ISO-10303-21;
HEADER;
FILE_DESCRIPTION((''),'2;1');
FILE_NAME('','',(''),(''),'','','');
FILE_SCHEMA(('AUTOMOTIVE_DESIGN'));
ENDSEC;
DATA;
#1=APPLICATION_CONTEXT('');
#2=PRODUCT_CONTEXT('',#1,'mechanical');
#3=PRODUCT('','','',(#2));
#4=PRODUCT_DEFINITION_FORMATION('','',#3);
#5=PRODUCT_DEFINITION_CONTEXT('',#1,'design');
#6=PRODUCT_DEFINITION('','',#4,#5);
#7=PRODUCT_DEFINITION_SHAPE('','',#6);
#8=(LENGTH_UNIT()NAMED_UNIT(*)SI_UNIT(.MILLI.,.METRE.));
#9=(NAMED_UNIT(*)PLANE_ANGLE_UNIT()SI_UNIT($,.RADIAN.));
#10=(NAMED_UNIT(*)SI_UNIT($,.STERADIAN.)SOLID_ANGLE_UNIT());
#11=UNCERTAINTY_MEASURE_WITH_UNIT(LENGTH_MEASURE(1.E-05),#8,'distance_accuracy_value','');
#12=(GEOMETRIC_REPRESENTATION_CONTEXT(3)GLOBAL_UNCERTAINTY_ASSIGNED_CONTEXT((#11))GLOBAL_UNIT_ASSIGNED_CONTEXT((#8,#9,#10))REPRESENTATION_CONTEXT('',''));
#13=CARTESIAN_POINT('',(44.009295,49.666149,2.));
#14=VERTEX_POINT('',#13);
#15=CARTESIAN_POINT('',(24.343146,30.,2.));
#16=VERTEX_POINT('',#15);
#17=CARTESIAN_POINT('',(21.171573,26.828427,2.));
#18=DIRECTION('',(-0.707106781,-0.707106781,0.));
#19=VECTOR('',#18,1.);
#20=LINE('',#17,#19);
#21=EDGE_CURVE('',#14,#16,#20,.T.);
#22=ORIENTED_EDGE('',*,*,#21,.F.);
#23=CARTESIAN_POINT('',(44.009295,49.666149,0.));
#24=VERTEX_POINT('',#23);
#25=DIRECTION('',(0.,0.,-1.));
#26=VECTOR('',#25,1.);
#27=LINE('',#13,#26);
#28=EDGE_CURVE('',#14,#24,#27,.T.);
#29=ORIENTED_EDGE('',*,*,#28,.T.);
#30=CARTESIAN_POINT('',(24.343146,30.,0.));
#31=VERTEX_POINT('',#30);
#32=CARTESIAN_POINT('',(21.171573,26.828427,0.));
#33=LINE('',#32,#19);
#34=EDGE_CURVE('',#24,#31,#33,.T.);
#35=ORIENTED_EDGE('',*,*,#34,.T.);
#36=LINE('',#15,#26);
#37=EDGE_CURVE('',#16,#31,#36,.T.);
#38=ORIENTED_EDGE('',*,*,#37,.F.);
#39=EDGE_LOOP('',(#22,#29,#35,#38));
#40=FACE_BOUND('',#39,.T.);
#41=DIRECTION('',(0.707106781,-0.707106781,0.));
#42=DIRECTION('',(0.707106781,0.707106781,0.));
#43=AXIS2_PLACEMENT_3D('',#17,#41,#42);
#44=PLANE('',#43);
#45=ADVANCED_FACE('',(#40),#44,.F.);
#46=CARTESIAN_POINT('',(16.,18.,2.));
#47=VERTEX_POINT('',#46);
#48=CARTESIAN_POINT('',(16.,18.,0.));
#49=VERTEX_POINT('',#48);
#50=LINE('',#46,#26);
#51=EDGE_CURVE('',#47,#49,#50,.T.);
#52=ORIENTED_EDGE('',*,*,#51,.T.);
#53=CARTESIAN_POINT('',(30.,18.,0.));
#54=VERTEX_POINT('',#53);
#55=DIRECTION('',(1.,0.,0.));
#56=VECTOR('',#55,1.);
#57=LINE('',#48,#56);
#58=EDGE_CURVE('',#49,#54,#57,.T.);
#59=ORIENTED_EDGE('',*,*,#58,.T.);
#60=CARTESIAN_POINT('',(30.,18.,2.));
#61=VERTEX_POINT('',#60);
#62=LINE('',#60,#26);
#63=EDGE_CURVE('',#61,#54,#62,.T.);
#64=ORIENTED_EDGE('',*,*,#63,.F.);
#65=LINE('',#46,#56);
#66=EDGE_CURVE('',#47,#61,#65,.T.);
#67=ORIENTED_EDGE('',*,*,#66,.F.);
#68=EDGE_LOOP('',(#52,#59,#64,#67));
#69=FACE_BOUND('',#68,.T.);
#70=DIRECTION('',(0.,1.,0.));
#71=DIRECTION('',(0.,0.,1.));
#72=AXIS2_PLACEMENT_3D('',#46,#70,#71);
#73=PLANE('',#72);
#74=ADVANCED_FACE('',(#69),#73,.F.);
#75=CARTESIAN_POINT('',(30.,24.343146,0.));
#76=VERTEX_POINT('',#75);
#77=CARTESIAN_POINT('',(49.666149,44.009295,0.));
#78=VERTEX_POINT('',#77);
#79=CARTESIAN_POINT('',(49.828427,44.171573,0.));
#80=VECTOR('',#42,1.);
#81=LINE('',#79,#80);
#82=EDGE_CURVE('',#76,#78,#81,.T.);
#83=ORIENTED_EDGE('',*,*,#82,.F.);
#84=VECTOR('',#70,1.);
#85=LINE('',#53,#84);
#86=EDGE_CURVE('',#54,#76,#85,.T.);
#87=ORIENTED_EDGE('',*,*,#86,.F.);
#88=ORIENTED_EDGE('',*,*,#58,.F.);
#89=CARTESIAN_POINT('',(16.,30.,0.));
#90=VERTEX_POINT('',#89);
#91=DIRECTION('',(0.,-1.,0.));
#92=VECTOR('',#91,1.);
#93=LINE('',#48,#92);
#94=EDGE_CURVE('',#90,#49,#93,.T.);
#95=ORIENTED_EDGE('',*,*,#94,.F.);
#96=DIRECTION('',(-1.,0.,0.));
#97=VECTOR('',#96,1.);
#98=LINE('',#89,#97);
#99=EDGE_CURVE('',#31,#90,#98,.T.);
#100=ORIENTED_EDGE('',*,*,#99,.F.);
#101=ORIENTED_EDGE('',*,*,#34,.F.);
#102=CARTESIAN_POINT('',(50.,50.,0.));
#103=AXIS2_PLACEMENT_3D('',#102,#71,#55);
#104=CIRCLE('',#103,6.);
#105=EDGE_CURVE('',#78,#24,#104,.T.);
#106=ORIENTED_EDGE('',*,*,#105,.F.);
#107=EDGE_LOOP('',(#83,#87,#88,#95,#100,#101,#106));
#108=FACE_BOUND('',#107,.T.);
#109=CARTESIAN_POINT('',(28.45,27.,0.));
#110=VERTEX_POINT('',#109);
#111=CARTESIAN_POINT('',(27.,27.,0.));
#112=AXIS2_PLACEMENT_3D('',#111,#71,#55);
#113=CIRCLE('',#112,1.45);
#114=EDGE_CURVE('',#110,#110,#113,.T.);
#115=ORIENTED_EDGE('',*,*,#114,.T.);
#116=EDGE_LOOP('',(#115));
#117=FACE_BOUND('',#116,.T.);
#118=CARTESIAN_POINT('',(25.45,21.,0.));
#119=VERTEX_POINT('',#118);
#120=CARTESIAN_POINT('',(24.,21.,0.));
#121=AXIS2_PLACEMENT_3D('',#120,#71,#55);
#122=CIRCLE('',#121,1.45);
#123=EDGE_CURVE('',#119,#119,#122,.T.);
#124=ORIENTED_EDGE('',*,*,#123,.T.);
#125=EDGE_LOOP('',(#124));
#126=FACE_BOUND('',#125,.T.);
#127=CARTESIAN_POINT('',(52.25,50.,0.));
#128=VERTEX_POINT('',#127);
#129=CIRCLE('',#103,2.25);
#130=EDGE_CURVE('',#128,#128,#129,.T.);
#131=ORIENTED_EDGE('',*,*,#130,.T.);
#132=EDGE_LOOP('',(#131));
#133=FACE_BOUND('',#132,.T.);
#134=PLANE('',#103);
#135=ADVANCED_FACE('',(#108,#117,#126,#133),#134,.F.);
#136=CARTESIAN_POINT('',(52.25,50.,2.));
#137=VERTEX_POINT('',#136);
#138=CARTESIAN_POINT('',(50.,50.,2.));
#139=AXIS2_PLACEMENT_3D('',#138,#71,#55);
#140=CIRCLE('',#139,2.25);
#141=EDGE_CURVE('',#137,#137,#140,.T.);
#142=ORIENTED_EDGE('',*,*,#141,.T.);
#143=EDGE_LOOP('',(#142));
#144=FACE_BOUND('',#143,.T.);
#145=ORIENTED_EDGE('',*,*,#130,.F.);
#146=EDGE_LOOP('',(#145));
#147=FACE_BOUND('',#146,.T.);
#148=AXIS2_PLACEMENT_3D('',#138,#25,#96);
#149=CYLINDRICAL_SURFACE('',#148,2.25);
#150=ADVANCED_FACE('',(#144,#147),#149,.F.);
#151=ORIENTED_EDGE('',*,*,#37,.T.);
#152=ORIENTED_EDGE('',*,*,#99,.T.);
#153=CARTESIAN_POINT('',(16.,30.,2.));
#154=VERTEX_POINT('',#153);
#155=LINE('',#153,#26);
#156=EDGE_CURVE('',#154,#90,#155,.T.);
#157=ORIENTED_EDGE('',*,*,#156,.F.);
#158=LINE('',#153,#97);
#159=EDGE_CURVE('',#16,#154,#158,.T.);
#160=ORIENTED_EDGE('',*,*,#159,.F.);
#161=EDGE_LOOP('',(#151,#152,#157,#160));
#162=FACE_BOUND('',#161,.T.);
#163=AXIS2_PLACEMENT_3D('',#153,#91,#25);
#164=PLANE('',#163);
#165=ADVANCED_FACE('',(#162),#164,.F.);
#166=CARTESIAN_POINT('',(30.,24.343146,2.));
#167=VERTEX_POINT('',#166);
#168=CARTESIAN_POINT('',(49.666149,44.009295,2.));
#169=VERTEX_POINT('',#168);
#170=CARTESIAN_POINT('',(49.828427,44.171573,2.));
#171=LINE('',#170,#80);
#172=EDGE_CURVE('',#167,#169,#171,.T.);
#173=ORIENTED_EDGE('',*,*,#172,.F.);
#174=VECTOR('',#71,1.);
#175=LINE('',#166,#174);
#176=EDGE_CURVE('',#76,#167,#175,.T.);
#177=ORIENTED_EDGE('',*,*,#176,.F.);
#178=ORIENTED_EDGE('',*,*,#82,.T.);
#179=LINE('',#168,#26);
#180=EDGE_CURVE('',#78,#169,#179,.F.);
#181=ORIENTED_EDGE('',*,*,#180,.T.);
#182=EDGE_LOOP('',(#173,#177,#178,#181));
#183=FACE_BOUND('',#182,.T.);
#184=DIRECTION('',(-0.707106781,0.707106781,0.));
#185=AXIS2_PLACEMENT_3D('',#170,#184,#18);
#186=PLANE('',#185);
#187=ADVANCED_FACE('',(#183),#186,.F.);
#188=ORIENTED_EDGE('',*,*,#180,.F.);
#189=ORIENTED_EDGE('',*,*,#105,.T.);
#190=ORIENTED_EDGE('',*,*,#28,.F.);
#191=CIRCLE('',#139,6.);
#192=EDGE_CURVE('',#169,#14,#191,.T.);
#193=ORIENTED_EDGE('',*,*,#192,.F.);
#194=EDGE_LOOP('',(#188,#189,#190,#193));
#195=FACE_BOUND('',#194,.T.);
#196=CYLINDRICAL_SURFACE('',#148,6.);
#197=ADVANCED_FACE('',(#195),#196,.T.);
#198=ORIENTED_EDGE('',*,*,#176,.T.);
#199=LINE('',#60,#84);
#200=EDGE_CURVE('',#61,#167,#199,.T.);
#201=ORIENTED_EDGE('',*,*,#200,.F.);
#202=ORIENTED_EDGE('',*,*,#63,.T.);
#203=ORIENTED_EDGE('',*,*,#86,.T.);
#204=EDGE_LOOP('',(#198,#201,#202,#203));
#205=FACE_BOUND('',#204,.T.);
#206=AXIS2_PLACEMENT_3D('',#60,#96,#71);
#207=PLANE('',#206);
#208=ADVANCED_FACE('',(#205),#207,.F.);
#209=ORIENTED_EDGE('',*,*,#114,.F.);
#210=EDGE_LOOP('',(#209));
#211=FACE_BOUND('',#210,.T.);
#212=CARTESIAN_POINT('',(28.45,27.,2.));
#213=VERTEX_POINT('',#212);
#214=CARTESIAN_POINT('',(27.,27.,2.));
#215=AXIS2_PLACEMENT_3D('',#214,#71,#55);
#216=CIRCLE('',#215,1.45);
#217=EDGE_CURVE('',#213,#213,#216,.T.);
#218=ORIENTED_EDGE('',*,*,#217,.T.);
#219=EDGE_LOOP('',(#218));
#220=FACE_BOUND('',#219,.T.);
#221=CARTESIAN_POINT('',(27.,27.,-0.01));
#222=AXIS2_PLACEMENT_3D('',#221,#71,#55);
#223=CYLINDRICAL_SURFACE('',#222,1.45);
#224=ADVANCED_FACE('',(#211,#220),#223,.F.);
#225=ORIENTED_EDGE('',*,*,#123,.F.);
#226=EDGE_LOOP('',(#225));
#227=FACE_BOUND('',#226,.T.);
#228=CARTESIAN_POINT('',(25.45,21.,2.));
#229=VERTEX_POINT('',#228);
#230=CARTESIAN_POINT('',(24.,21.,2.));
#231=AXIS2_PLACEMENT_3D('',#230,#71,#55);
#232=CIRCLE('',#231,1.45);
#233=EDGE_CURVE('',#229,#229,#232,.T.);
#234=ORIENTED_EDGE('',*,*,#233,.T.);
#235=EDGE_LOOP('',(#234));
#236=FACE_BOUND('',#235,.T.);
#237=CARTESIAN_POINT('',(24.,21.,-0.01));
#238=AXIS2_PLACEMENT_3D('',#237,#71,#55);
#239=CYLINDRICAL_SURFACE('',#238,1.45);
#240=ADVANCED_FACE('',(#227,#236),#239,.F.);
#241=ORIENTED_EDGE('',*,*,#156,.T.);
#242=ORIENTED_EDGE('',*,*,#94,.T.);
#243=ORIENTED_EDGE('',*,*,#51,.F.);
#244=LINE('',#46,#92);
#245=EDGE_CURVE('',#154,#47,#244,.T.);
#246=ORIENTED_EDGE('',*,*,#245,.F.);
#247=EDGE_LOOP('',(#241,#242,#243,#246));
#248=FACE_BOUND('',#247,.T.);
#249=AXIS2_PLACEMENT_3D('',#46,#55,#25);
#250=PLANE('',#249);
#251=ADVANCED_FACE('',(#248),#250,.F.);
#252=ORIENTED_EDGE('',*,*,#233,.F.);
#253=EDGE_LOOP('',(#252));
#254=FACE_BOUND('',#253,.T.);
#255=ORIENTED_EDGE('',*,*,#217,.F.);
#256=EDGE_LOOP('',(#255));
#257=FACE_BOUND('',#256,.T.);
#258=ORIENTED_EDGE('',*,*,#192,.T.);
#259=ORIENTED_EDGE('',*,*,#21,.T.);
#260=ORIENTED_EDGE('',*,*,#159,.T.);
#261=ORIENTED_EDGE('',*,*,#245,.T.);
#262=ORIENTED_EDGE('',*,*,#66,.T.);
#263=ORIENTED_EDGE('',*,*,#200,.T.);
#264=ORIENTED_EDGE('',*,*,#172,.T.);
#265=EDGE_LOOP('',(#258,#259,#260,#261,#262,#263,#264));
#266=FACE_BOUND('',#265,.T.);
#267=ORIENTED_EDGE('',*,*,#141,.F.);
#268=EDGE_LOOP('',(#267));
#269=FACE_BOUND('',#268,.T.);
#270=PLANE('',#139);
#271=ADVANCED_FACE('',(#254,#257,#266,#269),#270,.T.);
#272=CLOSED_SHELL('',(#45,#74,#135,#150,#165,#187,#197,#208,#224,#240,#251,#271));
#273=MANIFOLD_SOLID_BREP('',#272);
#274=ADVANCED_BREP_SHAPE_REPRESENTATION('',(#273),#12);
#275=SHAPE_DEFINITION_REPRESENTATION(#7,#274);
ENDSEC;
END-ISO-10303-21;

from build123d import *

# Parameters (mm, degrees)
SKETCH1_R                         = 6
SKETCH1_R_2                       = 2.25
FOLLOWER_SEAT_D4P5_DEPTH          = 2
CARRIAGE_TO_FOLLOWER_BRIDGE_DEPTH = 2
SKETCH3_W                         = 14
SKETCH3_H                         = 12
CARRIAGE_ATTACHMENT_PAD_DEPTH     = 2
SKETCH5_R                         = 1.45
STOP_MOUNT_D2P9_THROUGH_DEPTH     = 2.01


with BuildPart() as part:
    # Sketch1 → Follower_Seat_D4p5 (new body)
    with BuildSketch(Plane.XY):
        with Locations((50, 50)):
            Circle(SKETCH1_R)
        with Locations((50, 50)):
            Circle(SKETCH1_R_2, mode=Mode.SUBTRACT)
    extrude(amount=FOLLOWER_SEAT_D4P5_DEPTH)

    # Sketch2 → Carriage_To_Follower_Bridge (add)
    with BuildSketch(Plane.XY):
        Polygon((21.171572875, 26.828427125), (44.171572875, 49.828427125), (49.828427125, 44.171572875), (26.828427125, 21.171572875), align=None)
    extrude(amount=CARRIAGE_TO_FOLLOWER_BRIDGE_DEPTH)

    # Sketch3 → Carriage_Attachment_Pad (add)
    with BuildSketch(Plane.XY):
        with Locations((23, 24)):
            Rectangle(SKETCH3_W, SKETCH3_H)
    extrude(amount=CARRIAGE_ATTACHMENT_PAD_DEPTH)

    # Sketch5 → Stop_Mount_D2p9_Through (cut)
    with BuildSketch(Plane.XY.offset(2)):
        with Locations((24, 21)):
            Circle(SKETCH5_R)
        with Locations((27, 27)):
            Circle(SKETCH5_R)
    extrude(amount=-STOP_MOUNT_D2P9_THROUGH_DEPTH, mode=Mode.SUBTRACT)


solid = part.part
